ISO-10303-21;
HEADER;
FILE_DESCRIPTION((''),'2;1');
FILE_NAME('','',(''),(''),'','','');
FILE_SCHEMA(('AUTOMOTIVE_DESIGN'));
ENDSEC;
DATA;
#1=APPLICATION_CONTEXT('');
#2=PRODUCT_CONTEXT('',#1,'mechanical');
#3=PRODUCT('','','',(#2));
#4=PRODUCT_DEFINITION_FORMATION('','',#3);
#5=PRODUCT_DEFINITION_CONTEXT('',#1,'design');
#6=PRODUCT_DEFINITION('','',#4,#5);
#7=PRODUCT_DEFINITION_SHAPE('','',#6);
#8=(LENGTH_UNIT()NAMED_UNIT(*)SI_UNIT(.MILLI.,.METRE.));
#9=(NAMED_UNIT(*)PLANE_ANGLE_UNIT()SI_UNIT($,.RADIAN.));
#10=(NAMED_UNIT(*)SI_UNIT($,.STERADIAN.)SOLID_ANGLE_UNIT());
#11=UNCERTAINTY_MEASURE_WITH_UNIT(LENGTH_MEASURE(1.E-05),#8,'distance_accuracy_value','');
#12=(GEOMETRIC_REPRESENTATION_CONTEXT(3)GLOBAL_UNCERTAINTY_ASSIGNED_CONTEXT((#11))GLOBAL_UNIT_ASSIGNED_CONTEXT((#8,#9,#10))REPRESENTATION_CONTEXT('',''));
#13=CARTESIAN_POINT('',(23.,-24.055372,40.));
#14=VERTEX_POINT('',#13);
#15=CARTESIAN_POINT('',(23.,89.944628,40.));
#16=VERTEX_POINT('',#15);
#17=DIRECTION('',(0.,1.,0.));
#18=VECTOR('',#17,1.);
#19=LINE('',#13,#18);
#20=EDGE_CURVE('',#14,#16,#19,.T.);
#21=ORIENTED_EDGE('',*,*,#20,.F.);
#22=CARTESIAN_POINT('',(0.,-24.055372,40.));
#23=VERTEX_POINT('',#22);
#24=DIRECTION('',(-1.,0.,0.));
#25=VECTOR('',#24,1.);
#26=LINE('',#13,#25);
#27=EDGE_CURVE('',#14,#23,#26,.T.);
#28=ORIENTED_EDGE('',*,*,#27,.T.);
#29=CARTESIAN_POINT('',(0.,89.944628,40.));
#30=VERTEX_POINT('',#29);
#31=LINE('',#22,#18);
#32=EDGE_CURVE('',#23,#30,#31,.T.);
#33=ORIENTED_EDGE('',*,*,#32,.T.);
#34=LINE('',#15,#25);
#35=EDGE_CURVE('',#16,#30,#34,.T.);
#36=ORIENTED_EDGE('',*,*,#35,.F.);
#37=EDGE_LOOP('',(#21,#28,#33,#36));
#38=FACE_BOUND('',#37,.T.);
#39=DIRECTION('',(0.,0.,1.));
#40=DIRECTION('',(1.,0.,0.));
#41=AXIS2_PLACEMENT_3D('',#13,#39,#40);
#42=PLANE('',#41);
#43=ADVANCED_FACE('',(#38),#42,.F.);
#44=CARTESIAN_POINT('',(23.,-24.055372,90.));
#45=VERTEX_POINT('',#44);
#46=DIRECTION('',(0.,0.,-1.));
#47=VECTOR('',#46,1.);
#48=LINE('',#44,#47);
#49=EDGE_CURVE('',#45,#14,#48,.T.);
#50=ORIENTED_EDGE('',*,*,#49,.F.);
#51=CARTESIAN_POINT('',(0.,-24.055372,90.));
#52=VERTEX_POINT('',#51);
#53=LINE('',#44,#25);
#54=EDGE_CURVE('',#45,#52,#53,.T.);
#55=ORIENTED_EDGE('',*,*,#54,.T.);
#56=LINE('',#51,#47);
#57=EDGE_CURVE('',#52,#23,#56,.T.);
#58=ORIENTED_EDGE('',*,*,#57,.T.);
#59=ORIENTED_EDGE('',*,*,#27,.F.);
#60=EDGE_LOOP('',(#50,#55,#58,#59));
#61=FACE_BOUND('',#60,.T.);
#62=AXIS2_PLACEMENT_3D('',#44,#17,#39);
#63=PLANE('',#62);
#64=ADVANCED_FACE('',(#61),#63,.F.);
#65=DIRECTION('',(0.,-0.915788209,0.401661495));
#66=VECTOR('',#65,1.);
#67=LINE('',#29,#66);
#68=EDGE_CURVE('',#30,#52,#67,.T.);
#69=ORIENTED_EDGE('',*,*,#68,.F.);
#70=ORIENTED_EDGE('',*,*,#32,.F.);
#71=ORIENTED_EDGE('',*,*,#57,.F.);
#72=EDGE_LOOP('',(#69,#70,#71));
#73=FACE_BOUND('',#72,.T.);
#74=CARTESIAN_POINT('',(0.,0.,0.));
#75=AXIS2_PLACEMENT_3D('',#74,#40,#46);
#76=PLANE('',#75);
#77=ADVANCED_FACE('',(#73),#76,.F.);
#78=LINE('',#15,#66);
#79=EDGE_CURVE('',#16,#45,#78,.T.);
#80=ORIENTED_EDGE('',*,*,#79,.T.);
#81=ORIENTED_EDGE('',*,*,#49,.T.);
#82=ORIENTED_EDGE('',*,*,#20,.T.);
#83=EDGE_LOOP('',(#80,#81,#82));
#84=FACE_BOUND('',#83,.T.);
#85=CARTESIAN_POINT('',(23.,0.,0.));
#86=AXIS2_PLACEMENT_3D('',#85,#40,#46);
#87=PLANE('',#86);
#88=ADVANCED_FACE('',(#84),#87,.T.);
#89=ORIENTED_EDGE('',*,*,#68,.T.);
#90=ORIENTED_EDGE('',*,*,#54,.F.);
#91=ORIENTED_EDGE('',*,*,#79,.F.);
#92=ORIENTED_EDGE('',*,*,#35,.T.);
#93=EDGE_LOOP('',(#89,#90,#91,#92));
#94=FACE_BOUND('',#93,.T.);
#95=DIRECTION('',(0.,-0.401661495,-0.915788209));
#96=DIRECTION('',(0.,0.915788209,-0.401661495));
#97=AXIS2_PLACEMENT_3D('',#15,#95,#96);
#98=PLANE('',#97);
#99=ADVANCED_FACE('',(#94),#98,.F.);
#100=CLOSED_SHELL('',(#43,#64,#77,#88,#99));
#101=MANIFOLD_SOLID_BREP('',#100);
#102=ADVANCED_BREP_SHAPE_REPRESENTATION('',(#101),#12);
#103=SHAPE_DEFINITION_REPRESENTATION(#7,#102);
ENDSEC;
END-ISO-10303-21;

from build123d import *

# Parameters (mm, degrees)
BOSS_EXTRUDE1_DEPTH = 23


with BuildPart() as part:
    # Sketch1 → Boss-Extrude1 (new body)
    with BuildSketch(Plane(origin=(0, 0, 0), x_dir=(0, 0, -1), z_dir=(1, 0, 0))):
        Polygon((-90, -24.055372081), (-40, -24.055372081), (-40, 89.944627919), align=None)
    extrude(amount=BOSS_EXTRUDE1_DEPTH)


solid = part.part
